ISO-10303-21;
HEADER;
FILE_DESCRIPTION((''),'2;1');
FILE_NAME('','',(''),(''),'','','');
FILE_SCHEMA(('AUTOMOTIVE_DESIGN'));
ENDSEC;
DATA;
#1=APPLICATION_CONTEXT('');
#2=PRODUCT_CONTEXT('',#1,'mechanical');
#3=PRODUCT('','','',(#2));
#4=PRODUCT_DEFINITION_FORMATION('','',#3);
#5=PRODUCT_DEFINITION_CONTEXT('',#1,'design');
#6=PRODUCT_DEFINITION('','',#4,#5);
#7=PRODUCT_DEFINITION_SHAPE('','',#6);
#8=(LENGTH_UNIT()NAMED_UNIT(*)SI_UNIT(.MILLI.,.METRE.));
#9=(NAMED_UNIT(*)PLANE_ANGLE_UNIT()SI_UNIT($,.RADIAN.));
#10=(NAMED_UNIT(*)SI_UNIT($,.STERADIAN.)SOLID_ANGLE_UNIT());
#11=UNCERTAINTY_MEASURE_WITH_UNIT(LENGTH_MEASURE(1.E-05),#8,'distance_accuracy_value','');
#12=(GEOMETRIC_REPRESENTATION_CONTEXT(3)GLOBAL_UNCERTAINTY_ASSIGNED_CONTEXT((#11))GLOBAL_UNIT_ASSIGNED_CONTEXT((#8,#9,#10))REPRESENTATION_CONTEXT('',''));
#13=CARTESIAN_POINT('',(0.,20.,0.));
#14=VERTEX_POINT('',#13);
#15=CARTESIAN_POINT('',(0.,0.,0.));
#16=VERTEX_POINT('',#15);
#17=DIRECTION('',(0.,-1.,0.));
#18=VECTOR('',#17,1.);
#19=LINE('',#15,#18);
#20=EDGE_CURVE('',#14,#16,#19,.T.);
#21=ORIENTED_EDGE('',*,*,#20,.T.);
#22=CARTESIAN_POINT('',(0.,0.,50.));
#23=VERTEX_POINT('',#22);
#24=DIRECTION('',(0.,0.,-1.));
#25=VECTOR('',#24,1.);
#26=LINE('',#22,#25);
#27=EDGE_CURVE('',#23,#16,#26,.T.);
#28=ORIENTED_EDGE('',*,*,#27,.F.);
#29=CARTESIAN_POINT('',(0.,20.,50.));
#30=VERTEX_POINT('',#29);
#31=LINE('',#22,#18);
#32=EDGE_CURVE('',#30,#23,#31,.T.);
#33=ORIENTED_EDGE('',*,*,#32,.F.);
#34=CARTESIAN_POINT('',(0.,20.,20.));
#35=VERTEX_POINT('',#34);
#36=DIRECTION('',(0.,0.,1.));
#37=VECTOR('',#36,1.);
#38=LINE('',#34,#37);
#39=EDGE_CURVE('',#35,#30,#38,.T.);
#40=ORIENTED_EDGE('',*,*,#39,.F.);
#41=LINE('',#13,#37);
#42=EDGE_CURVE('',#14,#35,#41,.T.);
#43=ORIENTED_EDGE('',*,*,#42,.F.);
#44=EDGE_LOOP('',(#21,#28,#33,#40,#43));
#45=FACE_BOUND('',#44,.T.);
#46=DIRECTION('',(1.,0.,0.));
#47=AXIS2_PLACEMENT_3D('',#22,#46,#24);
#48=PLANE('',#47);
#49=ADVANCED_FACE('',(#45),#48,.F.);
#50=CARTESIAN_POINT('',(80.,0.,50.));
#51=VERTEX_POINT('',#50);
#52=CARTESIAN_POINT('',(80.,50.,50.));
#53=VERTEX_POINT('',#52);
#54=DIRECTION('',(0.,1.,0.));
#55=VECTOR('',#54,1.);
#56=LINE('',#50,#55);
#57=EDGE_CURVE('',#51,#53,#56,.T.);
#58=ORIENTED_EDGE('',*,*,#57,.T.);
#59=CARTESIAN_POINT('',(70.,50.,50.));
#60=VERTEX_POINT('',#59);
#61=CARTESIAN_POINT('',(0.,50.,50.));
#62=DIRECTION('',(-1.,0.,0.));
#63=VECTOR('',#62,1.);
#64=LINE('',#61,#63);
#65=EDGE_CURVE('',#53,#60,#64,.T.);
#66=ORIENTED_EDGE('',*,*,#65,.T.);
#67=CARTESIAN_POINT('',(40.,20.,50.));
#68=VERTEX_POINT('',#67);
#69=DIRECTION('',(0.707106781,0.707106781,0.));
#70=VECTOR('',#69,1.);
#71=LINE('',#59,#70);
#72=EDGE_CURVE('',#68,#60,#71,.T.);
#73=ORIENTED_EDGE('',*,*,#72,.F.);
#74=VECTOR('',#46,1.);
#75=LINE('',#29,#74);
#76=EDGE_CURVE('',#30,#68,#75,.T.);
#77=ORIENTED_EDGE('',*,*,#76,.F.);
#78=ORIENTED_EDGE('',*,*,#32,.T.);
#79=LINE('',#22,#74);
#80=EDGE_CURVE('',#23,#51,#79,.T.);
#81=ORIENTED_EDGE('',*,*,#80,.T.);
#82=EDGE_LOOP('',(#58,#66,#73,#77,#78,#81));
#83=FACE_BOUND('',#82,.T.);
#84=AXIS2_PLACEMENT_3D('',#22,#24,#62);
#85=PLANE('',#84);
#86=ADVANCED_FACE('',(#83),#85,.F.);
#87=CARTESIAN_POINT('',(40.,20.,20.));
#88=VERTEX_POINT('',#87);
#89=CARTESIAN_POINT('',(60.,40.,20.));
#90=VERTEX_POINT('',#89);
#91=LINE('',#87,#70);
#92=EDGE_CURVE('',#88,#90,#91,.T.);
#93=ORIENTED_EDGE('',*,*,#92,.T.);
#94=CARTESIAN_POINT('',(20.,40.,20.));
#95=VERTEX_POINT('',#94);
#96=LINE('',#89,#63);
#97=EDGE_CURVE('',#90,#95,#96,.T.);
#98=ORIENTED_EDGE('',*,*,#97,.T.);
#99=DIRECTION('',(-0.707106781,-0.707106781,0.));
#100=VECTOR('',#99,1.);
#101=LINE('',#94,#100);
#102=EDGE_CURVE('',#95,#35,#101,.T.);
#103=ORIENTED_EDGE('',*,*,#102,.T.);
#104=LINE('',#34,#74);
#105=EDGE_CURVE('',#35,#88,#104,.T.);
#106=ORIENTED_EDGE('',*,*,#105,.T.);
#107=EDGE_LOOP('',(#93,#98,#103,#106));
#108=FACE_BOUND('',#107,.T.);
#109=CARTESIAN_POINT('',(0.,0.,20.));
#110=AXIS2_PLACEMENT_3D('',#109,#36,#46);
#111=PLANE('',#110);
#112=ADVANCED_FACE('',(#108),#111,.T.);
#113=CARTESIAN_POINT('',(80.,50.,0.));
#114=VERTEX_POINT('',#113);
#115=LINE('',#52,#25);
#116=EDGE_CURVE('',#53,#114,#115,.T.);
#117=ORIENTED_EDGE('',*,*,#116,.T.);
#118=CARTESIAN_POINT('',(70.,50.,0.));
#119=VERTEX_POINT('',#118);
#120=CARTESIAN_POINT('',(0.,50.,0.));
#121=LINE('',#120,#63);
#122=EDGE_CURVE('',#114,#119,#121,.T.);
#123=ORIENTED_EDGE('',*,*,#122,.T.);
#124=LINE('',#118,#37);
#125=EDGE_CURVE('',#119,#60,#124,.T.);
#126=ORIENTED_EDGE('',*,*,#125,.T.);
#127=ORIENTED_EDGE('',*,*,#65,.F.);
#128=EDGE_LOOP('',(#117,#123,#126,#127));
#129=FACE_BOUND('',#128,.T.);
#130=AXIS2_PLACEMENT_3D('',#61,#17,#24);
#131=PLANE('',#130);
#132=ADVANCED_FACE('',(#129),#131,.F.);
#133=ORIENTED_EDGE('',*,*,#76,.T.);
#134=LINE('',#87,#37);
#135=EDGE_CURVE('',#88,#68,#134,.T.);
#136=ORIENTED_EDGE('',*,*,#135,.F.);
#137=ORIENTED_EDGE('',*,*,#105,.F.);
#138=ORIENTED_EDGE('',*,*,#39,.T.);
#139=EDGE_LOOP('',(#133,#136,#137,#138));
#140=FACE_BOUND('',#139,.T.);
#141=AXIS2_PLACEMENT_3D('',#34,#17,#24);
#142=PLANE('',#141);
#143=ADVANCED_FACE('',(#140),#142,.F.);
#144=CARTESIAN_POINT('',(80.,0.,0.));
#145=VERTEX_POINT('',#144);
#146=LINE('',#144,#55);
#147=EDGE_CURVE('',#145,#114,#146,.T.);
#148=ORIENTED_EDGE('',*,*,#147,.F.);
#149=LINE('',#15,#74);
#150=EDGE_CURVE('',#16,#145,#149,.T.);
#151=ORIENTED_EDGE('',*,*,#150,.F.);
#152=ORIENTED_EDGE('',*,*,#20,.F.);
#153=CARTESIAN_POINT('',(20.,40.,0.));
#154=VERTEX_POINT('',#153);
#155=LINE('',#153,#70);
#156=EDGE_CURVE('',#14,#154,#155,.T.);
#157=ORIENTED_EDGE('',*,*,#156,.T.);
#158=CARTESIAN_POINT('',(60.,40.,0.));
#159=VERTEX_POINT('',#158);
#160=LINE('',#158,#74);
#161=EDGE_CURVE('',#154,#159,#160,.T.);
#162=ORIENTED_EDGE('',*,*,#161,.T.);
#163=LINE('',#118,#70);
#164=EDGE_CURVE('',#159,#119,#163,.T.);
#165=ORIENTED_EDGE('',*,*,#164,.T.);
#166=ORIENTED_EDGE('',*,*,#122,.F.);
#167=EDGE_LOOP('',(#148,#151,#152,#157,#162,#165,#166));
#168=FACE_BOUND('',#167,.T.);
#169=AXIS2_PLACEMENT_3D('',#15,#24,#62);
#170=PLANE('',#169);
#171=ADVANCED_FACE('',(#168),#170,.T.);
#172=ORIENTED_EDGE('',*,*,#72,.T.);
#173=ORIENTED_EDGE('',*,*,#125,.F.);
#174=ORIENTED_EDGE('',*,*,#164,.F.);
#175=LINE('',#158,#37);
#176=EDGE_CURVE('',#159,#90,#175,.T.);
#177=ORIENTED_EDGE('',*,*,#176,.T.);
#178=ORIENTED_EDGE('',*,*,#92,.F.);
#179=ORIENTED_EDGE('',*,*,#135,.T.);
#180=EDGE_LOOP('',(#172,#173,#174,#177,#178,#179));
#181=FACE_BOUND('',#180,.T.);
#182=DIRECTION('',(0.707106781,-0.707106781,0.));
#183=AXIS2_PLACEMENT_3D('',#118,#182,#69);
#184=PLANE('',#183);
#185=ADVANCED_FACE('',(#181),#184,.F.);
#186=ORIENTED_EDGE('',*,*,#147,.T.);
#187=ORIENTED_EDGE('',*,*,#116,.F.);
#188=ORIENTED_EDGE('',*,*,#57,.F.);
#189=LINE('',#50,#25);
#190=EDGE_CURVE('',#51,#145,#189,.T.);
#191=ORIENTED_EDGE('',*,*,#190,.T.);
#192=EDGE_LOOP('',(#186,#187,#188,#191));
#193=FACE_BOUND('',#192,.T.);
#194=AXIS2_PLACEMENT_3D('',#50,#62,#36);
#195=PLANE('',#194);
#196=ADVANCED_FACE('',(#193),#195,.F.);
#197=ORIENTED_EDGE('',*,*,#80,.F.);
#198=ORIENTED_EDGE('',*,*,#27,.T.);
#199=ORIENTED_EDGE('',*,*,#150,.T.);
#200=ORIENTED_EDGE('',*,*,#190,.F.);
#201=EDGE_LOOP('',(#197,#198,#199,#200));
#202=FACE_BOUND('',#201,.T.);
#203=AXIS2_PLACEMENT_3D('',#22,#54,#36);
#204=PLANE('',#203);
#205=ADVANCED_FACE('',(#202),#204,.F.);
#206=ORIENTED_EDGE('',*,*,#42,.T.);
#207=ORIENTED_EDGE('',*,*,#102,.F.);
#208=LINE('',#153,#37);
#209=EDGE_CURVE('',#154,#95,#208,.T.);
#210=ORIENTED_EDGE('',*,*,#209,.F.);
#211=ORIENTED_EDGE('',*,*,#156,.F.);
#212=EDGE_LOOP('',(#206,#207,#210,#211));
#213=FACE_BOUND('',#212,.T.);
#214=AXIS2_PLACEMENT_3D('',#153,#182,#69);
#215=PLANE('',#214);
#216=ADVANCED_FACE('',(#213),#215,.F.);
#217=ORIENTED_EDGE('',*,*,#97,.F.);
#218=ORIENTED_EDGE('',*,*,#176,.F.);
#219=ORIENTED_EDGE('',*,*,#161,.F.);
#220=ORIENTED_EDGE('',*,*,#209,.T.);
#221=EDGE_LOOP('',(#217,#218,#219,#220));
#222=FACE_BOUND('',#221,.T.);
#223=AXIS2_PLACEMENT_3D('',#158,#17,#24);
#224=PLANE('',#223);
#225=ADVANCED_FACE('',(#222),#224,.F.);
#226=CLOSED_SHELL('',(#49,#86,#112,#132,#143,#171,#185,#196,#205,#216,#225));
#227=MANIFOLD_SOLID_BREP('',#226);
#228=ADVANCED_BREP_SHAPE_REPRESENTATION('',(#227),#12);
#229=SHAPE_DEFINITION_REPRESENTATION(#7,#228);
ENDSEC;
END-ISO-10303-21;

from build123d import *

# Parameters (mm, degrees)
SKETCH1_W           = 80
SKETCH1_H           = 50
BOSS_EXTRUDE1_DEPTH = 50
CUT_EXTRUDE1_DEPTH  = 50
CUT_EXTRUDE2_DEPTH  = 30


with BuildPart() as part:
    # Sketch1 → Boss-Extrude1 (new body)
    with BuildSketch(Plane.XY):
        with Locations((40, 25)):
            Rectangle(SKETCH1_W, SKETCH1_H)
    extrude(amount=BOSS_EXTRUDE1_DEPTH)

    # Sketch2 → Cut-Extrude1 (cut)
    with BuildSketch(Plane.XY.offset(50)):
        Polygon((70, 50), (60, 40), (20, 40), (0, 20), (0, 50), align=None)
    extrude(amount=-CUT_EXTRUDE1_DEPTH, mode=Mode.SUBTRACT)

    # Sketch3 → Cut-Extrude2 (cut)
    with BuildSketch(Plane.XY.offset(50)):
        Polygon((0, 20), (40, 20), (60, 40), (20, 40), align=None)
    extrude(amount=-CUT_EXTRUDE2_DEPTH, mode=Mode.SUBTRACT)


solid = part.part
